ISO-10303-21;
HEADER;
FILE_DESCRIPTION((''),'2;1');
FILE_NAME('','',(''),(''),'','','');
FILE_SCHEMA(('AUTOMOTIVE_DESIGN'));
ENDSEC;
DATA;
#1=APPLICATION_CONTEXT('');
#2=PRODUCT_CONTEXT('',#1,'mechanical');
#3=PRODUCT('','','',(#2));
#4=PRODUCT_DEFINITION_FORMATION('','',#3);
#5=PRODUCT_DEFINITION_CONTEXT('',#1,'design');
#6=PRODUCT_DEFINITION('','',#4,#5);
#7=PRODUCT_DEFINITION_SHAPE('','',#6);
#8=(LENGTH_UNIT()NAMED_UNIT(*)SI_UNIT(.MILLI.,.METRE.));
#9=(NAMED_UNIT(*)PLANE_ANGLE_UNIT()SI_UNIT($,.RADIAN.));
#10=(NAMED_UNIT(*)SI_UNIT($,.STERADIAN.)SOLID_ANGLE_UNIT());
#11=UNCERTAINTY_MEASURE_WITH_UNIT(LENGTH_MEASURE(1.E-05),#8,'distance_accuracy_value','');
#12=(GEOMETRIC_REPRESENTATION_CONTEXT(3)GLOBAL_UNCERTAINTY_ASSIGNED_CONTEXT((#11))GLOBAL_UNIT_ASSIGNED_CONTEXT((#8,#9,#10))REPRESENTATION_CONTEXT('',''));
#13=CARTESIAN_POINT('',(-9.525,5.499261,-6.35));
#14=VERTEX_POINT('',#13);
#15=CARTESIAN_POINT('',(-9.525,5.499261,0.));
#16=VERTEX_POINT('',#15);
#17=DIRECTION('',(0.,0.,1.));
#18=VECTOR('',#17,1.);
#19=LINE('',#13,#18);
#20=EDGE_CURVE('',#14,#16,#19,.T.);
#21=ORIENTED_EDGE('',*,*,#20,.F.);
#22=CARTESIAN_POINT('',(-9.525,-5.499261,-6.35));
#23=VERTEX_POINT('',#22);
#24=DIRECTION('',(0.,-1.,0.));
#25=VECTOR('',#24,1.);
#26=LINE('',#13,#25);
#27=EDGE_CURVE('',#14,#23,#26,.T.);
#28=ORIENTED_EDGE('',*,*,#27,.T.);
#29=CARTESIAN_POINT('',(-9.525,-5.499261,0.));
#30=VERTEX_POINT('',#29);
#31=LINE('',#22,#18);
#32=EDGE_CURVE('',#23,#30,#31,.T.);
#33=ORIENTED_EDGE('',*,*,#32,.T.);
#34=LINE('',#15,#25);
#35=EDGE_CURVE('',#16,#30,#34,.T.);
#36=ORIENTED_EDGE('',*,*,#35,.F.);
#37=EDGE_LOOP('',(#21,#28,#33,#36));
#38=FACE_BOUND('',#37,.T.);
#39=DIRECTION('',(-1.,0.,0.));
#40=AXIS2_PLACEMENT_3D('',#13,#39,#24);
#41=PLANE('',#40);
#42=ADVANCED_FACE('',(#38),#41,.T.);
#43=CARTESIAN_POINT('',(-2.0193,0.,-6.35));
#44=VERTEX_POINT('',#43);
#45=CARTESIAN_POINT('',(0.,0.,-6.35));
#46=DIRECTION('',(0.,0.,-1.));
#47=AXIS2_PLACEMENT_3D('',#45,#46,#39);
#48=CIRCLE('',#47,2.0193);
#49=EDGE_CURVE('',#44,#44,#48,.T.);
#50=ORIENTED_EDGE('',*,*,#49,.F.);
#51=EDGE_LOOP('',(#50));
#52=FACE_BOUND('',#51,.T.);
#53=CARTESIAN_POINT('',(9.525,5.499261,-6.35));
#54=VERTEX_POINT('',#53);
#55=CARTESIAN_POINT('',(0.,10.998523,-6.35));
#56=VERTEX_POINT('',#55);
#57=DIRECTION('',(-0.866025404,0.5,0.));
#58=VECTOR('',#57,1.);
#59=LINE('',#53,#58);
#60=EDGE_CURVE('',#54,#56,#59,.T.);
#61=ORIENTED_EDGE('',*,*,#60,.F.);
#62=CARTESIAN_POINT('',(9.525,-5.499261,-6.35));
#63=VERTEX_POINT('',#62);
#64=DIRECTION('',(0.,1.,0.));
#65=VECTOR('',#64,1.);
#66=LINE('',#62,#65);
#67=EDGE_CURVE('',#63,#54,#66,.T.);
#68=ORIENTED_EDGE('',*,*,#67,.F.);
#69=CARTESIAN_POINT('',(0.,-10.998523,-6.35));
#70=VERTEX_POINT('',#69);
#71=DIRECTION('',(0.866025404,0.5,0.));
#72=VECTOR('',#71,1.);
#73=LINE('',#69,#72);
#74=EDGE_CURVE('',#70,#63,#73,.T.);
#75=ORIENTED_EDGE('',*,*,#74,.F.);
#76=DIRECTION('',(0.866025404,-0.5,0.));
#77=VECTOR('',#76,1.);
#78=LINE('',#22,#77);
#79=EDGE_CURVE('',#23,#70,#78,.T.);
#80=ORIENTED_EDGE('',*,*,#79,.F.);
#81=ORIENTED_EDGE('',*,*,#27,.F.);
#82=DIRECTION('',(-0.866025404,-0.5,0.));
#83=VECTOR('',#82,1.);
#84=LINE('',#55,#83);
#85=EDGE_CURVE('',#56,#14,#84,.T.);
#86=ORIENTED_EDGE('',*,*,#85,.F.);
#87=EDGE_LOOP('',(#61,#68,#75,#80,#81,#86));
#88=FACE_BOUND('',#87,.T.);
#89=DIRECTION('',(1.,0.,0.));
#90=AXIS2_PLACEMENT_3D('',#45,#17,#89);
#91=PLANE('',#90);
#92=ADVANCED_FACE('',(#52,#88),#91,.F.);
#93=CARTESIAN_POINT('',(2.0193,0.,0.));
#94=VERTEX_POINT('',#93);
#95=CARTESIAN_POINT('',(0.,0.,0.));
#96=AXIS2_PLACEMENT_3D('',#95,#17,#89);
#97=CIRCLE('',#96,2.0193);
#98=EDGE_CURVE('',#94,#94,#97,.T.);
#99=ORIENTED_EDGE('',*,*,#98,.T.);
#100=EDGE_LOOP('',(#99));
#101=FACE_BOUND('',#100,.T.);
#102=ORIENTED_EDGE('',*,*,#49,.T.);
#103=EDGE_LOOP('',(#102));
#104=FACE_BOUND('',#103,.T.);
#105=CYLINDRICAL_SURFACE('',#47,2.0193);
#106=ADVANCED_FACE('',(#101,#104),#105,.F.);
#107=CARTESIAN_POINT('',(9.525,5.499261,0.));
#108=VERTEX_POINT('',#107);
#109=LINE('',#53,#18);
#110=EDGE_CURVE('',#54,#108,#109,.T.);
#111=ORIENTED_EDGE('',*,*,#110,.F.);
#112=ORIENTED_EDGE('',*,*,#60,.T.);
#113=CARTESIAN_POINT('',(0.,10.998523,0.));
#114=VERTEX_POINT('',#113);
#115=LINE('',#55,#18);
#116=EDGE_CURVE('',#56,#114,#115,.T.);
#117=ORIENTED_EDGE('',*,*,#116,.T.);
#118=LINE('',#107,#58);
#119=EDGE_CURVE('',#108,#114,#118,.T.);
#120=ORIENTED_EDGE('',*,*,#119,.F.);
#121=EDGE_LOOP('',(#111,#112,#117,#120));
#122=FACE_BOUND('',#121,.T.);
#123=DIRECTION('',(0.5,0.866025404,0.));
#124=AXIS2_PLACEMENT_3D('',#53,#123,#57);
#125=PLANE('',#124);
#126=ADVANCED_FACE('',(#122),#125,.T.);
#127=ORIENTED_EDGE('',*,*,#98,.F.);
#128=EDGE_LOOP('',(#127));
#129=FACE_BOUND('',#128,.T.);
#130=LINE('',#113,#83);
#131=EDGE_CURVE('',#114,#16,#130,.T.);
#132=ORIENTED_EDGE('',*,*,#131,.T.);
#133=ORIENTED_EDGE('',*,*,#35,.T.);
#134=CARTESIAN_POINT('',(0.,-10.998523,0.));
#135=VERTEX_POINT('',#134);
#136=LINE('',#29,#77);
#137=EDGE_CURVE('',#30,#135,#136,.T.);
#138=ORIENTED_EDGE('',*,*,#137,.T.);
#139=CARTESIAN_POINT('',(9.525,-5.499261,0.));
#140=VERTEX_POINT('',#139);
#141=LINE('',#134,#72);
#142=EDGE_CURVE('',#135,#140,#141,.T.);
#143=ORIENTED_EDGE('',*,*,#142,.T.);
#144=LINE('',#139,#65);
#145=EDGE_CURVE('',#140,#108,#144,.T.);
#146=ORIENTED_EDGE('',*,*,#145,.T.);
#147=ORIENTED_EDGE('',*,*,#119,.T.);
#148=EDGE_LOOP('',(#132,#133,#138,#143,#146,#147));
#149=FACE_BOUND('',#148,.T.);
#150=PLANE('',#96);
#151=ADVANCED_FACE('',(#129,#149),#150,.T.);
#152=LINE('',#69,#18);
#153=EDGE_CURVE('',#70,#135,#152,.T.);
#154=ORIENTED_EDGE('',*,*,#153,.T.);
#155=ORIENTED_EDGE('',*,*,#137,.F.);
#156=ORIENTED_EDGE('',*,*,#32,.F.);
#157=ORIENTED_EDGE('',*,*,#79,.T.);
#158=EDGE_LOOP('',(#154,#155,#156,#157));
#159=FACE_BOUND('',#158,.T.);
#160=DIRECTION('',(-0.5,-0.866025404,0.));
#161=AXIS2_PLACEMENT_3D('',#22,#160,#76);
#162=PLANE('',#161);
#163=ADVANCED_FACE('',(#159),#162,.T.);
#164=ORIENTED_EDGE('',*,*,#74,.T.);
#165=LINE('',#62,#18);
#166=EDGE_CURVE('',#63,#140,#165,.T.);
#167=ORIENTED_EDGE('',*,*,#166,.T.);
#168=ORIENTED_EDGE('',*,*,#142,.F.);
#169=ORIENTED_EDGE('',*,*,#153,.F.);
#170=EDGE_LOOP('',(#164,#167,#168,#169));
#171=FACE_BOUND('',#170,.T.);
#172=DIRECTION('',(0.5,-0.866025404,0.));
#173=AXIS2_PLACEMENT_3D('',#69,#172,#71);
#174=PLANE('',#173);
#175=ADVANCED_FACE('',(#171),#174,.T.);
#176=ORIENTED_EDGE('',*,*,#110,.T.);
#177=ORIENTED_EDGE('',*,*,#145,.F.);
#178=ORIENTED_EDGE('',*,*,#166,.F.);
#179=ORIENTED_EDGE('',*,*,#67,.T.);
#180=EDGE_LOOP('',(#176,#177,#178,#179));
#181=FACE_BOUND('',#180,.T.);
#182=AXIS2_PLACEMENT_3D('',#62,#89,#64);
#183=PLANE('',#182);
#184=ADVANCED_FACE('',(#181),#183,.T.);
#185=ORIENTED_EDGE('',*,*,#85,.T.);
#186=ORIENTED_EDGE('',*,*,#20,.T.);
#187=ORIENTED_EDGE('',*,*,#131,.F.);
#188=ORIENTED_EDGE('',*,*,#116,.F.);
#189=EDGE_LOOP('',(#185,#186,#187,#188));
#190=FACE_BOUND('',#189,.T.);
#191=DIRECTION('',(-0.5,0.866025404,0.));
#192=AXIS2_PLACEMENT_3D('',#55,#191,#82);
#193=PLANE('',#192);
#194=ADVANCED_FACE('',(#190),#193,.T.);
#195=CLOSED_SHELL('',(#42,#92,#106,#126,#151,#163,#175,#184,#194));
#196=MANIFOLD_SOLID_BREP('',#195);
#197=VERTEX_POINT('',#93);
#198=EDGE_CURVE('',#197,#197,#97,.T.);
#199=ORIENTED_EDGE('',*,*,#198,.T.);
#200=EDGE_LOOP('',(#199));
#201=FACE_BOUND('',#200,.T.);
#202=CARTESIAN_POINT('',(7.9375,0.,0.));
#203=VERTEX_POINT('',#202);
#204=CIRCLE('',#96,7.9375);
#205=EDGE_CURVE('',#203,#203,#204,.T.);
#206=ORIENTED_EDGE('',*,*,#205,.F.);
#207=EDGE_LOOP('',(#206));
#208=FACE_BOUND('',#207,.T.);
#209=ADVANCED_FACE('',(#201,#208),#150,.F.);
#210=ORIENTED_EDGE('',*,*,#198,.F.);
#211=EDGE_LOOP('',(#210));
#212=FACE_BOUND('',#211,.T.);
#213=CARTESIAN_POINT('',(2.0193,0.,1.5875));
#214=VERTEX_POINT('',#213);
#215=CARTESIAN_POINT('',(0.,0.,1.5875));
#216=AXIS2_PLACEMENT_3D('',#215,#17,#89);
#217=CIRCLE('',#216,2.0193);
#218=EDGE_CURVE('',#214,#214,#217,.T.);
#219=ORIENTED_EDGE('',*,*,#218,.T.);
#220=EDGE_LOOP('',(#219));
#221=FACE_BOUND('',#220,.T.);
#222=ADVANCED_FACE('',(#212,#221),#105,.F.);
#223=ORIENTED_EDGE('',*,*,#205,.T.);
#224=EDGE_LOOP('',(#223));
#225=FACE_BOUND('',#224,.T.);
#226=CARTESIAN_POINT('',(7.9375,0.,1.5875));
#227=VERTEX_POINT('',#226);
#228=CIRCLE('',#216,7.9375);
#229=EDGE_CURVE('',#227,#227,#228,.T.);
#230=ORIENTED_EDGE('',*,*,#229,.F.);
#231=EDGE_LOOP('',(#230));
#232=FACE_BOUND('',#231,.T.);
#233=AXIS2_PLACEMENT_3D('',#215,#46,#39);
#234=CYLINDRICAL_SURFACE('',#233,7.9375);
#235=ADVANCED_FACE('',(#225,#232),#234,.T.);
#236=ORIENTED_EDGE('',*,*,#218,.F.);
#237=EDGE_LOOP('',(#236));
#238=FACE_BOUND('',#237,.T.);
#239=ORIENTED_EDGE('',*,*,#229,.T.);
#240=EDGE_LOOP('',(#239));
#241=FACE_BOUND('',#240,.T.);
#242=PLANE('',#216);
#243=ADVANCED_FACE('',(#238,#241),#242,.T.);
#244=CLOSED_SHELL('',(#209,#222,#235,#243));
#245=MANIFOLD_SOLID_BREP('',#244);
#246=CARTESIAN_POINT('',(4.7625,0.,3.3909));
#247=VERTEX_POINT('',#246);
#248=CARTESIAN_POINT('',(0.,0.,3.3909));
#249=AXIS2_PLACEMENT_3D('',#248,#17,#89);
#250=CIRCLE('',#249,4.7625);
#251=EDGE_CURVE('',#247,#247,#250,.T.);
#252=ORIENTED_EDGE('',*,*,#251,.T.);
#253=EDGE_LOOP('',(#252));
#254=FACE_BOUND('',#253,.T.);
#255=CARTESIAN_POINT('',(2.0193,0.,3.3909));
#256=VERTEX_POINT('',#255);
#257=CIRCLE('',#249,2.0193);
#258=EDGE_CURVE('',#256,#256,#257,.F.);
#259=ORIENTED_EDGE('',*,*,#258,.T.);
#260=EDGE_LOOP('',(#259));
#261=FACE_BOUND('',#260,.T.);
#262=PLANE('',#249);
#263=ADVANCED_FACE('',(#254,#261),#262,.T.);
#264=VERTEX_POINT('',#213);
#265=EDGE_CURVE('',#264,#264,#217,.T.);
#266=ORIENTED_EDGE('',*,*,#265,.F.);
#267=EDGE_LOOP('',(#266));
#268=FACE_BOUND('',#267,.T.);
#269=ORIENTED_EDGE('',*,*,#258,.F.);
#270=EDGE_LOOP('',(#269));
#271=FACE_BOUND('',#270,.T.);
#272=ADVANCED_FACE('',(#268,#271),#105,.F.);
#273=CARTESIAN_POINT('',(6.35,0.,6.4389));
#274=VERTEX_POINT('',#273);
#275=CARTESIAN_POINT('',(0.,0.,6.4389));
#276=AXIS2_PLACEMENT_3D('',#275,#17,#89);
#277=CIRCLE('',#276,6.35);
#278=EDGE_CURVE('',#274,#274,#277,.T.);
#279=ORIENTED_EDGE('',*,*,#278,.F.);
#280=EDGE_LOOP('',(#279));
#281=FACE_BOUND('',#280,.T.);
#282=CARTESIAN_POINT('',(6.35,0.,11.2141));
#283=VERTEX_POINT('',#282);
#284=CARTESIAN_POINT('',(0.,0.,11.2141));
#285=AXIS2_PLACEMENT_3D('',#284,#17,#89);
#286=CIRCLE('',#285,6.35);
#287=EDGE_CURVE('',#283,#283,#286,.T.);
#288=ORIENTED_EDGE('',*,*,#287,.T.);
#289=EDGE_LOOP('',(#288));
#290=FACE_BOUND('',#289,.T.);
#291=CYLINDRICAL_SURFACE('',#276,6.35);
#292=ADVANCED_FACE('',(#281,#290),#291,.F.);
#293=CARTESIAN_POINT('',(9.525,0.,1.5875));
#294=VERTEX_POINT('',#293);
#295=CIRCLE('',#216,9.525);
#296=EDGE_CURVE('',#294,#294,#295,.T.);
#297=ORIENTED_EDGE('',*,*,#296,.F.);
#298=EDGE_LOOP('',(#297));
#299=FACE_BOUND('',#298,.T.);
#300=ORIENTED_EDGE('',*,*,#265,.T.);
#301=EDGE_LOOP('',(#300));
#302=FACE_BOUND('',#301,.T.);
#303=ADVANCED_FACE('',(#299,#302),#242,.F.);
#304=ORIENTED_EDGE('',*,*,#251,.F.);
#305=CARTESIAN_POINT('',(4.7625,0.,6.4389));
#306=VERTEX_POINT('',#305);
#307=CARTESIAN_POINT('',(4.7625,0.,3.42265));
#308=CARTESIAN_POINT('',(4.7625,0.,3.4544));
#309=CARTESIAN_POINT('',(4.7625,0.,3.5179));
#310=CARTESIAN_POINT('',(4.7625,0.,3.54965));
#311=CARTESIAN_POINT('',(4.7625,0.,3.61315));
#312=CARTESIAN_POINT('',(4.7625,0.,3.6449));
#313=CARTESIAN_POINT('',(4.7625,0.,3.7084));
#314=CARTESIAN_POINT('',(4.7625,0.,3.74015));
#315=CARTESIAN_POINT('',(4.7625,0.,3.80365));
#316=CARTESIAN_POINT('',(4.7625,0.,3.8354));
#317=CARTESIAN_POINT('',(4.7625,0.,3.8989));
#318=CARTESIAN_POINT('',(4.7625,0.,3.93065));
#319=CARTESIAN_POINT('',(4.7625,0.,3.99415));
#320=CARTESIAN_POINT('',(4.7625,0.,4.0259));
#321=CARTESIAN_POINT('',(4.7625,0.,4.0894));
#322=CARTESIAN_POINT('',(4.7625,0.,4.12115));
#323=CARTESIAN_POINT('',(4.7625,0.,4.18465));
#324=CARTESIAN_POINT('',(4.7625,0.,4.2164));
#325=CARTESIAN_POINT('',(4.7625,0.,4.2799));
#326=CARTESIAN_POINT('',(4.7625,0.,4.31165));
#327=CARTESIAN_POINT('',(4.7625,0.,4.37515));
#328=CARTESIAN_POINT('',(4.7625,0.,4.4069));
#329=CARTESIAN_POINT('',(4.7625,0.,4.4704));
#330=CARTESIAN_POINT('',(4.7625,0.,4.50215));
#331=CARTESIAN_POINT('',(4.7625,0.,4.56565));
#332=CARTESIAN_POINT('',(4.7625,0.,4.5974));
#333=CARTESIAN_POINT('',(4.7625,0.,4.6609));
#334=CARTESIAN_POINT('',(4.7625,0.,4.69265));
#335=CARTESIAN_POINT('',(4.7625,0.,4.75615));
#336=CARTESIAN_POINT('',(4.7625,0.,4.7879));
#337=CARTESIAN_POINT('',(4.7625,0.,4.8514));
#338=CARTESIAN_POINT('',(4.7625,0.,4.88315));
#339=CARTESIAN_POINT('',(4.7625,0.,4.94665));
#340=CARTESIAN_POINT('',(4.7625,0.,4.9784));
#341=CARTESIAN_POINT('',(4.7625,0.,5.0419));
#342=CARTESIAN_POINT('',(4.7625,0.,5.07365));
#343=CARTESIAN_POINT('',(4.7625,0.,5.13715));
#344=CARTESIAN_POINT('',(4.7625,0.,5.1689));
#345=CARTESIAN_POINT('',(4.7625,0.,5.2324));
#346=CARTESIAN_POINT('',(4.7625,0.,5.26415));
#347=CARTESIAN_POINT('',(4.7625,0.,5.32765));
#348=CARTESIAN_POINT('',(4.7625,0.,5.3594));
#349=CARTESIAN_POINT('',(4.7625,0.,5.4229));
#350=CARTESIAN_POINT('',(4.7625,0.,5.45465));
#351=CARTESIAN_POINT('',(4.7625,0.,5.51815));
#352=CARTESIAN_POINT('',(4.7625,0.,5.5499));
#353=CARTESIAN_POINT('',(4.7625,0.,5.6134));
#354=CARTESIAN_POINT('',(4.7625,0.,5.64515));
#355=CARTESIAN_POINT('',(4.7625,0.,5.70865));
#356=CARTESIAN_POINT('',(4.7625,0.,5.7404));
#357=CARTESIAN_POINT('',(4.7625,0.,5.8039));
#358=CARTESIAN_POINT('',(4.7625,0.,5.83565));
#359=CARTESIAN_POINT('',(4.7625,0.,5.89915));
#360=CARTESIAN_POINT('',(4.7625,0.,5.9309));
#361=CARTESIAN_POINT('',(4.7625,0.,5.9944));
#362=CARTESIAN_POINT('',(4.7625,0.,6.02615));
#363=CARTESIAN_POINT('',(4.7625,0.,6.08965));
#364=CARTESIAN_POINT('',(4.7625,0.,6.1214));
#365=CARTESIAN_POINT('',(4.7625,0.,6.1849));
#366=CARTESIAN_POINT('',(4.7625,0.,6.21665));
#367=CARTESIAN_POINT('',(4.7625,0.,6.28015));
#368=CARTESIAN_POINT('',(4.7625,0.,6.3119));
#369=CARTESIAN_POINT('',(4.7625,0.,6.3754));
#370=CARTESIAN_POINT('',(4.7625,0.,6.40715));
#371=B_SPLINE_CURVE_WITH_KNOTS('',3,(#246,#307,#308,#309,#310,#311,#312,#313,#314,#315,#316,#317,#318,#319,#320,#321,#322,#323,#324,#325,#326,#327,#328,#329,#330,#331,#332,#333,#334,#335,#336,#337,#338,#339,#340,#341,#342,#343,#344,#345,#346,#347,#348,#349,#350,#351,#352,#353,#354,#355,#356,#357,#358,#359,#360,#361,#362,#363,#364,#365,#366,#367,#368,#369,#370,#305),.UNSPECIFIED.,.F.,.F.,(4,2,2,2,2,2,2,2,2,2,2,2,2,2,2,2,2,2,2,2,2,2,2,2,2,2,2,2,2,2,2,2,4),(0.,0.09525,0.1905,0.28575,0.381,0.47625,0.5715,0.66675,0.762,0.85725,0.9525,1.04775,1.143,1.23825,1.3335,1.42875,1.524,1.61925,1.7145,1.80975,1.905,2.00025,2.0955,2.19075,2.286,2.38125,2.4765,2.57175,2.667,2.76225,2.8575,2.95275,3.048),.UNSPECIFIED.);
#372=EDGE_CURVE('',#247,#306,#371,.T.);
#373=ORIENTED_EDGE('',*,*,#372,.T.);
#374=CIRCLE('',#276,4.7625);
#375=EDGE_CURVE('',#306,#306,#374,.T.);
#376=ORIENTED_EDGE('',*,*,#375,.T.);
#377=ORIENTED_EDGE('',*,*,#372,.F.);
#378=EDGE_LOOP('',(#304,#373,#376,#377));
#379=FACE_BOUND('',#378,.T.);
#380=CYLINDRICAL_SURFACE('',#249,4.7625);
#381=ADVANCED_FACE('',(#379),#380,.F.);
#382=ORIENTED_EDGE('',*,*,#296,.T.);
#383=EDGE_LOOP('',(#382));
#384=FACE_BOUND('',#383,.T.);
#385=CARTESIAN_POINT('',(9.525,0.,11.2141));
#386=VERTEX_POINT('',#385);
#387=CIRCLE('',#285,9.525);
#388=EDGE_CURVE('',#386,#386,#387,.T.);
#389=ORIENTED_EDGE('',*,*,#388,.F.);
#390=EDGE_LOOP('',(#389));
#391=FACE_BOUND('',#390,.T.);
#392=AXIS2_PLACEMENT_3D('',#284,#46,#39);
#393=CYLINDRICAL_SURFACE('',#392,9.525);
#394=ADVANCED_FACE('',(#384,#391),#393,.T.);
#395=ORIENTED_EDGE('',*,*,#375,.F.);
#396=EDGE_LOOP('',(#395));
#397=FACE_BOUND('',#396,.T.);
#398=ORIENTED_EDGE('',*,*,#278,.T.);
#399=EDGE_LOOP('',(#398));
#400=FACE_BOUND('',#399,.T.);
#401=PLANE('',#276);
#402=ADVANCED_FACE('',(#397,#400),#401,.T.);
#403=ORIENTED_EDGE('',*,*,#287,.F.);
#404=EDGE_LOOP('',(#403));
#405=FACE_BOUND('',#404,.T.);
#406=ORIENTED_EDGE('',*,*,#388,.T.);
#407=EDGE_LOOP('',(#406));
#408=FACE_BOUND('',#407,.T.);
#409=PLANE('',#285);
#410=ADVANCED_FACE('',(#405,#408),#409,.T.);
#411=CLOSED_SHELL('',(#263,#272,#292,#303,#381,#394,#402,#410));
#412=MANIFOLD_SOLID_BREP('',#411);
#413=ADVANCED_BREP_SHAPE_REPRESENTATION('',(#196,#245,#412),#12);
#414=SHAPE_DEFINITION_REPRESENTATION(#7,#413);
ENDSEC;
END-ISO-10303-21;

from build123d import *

# Parameters (mm, degrees)
BOSS_EXTRUDE1_DEPTH = 6.35
SKETCH2_R           = 7.9375
BOSS_EXTRUDE3_DEPTH = 1.5875
SKETCH7_R           = 9.525
BOSS_EXTRUDE4_DEPTH = 9.6266
SKETCH10_W          = 2.0193
SKETCH10_H          = 17.5641
SKETCH12_R          = 6.35
CUT_EXTRUDE5_DEPTH  = 4.7752
SKETCH13_R          = 4.7625
CUT_EXTRUDE6_DEPTH  = 3.048


with BuildPart() as part:
    # Sketch1 → Boss-Extrude1 (new body)
    with BuildSketch(Plane.XY):
        Polygon((0, -10.998522628), (9.525, -5.499261314), (9.525, 5.499261314), (0, 10.998522628), (-9.525, 5.499261314), (-9.525, -5.499261314), align=None)
    extrude(amount=-BOSS_EXTRUDE1_DEPTH)


with BuildPart() as body_2:
    # Sketch2 → Boss-Extrude3 (new body)
    with BuildSketch(Plane.XY):
        Circle(SKETCH2_R)
    extrude(amount=BOSS_EXTRUDE3_DEPTH)


with BuildPart() as body_3:
    # Sketch7 → Boss-Extrude4 (new body)
    with BuildSketch(Plane.XY.offset(1.5875)):
        Circle(SKETCH7_R)
    extrude(amount=BOSS_EXTRUDE4_DEPTH)


with BuildPart() as f_10_32_tapped_hole2_tool:
    # Sketch10 → #10-32 Tapped Hole2 (revolve)
    with BuildSketch(Plane(origin=(0, 0, -6.35), x_dir=(0, 1, 0), z_dir=(1, 0, 0))):
        with Locations((1.00965, 8.78205)):
            Rectangle(SKETCH10_W, SKETCH10_H)
    revolve(axis=Axis((0, 0, -12.7), (0, 0, 1)))


with BuildPart() as part_1:
    add(part.part)

    # #10-32 Tapped Hole2: cut by f_10_32_tapped_hole2_tool
    add(f_10_32_tapped_hole2_tool.part, mode=Mode.SUBTRACT)


with BuildPart() as body_2_1:
    add(body_2.part)

    # #10-32 Tapped Hole2: cut by f_10_32_tapped_hole2_tool
    add(f_10_32_tapped_hole2_tool.part, mode=Mode.SUBTRACT)


with BuildPart() as body_3_1:
    add(body_3.part)

    # #10-32 Tapped Hole2: cut by f_10_32_tapped_hole2_tool
    add(f_10_32_tapped_hole2_tool.part, mode=Mode.SUBTRACT)

    # Sketch12 → Cut-Extrude5 (cut)
    with BuildSketch(Plane.XY.offset(11.2141)):
        Circle(SKETCH12_R)
    extrude(amount=-CUT_EXTRUDE5_DEPTH, mode=Mode.SUBTRACT)

    # Sketch13 → Cut-Extrude6 (cut)
    with BuildSketch(Plane.XY.offset(6.4389)):
        Circle(SKETCH13_R)
    extrude(amount=-CUT_EXTRUDE6_DEPTH, mode=Mode.SUBTRACT)


solid = Compound([part_1.part, body_2_1.part, body_3_1.part])
